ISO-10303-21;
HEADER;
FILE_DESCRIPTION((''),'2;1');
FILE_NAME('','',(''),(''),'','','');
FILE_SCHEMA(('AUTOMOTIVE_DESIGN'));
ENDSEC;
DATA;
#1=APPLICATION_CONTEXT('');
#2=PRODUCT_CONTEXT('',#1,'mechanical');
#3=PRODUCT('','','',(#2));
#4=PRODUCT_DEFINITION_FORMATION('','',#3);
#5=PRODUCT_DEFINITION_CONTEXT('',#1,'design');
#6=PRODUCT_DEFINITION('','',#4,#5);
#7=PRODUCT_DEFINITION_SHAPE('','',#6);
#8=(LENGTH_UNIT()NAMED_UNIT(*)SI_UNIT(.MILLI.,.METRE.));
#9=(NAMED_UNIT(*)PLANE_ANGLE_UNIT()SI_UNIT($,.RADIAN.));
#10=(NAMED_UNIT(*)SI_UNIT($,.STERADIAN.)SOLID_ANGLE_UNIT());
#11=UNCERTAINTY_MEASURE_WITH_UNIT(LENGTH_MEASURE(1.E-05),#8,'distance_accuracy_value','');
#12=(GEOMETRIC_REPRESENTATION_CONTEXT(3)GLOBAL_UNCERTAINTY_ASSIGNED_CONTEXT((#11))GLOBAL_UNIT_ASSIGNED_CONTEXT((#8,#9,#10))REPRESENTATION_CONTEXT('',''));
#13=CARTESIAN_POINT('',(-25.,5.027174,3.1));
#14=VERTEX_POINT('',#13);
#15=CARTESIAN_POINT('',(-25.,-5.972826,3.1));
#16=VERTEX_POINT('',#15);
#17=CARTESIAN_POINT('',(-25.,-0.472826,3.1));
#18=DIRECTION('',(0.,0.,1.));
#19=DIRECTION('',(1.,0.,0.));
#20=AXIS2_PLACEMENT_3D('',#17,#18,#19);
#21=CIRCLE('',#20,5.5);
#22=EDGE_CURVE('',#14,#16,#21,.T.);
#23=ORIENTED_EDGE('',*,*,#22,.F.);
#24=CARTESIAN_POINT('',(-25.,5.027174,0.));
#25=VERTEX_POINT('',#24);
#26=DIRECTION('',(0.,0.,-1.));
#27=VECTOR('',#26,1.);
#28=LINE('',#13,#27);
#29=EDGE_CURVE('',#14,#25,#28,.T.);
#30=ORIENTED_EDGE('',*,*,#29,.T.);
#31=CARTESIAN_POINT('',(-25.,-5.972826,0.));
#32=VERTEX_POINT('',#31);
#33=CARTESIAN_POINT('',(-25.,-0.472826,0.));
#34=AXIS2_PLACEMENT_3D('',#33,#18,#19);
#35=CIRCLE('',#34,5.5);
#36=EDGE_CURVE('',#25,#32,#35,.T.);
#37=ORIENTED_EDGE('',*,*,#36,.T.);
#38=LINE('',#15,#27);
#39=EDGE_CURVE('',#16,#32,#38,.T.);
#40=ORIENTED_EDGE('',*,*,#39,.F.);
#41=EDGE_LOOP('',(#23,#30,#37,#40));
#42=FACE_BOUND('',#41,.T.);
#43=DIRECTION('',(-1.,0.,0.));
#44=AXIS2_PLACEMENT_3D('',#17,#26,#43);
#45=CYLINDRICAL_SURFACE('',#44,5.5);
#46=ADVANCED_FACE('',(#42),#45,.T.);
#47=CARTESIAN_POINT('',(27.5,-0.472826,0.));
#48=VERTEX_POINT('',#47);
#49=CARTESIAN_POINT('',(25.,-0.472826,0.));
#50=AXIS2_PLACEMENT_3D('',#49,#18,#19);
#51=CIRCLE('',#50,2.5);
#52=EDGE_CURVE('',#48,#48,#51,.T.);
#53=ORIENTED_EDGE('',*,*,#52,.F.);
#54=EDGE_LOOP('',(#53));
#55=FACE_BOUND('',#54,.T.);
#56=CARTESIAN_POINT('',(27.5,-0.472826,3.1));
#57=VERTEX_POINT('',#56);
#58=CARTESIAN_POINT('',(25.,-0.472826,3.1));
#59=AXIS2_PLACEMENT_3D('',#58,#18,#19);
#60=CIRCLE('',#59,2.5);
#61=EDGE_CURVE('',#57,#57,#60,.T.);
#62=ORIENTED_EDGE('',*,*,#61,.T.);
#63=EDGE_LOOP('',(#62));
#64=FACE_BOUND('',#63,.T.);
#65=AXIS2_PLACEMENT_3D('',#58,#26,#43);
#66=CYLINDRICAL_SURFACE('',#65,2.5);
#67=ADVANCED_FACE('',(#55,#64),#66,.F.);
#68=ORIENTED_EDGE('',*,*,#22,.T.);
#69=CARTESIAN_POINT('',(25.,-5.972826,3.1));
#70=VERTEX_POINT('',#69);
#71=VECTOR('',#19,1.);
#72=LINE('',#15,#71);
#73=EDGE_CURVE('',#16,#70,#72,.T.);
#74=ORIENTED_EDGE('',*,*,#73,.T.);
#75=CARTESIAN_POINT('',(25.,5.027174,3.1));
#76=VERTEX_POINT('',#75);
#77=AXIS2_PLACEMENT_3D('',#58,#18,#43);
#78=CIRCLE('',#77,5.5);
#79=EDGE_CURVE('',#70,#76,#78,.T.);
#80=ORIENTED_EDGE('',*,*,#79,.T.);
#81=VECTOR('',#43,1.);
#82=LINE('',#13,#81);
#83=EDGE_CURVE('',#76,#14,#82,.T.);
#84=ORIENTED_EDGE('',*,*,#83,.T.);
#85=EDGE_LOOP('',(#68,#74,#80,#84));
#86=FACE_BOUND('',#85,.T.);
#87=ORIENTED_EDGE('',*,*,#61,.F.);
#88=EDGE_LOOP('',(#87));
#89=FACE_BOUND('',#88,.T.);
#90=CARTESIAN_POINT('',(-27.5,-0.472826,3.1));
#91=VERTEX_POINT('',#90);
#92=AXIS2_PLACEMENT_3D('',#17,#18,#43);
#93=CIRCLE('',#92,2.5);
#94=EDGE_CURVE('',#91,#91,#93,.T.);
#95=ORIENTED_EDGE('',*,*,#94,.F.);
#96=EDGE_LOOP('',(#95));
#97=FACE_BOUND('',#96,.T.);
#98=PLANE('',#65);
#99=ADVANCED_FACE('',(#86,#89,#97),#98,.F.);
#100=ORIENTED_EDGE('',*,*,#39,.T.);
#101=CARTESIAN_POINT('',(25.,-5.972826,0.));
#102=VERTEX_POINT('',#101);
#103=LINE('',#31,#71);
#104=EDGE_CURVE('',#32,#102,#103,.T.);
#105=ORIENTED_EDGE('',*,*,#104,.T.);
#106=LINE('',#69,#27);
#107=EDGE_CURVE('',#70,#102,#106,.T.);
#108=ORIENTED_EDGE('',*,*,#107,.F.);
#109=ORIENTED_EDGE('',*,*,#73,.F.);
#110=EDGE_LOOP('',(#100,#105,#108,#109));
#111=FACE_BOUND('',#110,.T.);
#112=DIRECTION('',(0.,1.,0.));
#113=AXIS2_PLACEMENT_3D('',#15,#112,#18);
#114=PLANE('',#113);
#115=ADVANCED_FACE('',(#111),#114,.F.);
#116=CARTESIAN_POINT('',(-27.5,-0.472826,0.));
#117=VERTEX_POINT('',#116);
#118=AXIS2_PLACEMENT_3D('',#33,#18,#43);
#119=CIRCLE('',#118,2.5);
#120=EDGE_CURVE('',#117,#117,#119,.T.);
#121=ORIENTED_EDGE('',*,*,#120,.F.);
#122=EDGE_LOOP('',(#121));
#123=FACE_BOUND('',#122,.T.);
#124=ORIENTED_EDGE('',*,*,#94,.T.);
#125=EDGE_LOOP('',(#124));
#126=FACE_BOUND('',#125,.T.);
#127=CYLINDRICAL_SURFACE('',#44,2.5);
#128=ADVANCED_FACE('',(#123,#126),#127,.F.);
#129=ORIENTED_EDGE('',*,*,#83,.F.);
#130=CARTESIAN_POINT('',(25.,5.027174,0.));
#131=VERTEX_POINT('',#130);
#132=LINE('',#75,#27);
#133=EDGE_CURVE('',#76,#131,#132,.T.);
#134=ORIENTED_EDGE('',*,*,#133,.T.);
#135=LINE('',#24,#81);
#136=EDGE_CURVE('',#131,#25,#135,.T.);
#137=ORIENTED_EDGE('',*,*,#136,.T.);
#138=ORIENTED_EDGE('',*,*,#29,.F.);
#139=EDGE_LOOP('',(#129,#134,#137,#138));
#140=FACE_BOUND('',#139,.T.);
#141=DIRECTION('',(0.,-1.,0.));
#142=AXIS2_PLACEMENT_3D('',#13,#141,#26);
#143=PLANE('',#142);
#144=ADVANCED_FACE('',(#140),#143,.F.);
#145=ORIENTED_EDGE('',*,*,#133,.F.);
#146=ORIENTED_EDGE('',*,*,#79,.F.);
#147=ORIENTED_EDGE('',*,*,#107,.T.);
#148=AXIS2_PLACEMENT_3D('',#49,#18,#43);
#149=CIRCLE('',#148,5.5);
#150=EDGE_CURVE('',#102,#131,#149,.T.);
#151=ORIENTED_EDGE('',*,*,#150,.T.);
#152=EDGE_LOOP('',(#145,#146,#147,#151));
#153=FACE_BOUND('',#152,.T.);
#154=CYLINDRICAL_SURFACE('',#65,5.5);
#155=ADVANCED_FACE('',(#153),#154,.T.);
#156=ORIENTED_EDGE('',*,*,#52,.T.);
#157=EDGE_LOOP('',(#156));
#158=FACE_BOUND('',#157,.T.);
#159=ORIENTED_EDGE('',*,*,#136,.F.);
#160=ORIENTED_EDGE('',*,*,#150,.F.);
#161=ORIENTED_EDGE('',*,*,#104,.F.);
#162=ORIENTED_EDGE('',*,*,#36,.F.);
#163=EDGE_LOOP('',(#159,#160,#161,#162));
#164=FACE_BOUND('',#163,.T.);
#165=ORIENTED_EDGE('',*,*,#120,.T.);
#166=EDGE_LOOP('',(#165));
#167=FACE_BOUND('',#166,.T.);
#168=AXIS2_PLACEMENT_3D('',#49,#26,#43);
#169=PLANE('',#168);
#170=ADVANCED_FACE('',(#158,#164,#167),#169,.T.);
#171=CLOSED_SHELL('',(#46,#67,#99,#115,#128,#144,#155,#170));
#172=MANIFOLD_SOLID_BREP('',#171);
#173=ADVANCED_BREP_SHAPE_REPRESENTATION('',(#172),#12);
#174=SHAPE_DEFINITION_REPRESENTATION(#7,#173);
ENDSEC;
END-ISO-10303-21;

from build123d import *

# Parameters (mm, degrees)
SKETCH1_R           = 2.5
BOSS_EXTRUDE1_DEPTH = 3.1


with BuildPart() as part:
    # Sketch1 → Boss-Extrude1 (new body)
    with BuildSketch(Plane.XY):
        with BuildLine():
            Line((-25, 5.027173913), (25, 5.027173913))
            ThreePointArc((25, 5.027173913), (30.5, -0.472826087), (25, -5.972826087))
            Line((25, -5.972826087), (-25, -5.972826087))
            ThreePointArc((-25, -5.972826087), (-30.5, -0.472826087), (-25, 5.027173913))
        make_face()
        with Locations((25, -0.472826087)):
            Circle(SKETCH1_R, mode=Mode.SUBTRACT)
        with Locations((-25, -0.472826087)):
            Circle(SKETCH1_R, mode=Mode.SUBTRACT)
    extrude(amount=BOSS_EXTRUDE1_DEPTH)


solid = part.part
